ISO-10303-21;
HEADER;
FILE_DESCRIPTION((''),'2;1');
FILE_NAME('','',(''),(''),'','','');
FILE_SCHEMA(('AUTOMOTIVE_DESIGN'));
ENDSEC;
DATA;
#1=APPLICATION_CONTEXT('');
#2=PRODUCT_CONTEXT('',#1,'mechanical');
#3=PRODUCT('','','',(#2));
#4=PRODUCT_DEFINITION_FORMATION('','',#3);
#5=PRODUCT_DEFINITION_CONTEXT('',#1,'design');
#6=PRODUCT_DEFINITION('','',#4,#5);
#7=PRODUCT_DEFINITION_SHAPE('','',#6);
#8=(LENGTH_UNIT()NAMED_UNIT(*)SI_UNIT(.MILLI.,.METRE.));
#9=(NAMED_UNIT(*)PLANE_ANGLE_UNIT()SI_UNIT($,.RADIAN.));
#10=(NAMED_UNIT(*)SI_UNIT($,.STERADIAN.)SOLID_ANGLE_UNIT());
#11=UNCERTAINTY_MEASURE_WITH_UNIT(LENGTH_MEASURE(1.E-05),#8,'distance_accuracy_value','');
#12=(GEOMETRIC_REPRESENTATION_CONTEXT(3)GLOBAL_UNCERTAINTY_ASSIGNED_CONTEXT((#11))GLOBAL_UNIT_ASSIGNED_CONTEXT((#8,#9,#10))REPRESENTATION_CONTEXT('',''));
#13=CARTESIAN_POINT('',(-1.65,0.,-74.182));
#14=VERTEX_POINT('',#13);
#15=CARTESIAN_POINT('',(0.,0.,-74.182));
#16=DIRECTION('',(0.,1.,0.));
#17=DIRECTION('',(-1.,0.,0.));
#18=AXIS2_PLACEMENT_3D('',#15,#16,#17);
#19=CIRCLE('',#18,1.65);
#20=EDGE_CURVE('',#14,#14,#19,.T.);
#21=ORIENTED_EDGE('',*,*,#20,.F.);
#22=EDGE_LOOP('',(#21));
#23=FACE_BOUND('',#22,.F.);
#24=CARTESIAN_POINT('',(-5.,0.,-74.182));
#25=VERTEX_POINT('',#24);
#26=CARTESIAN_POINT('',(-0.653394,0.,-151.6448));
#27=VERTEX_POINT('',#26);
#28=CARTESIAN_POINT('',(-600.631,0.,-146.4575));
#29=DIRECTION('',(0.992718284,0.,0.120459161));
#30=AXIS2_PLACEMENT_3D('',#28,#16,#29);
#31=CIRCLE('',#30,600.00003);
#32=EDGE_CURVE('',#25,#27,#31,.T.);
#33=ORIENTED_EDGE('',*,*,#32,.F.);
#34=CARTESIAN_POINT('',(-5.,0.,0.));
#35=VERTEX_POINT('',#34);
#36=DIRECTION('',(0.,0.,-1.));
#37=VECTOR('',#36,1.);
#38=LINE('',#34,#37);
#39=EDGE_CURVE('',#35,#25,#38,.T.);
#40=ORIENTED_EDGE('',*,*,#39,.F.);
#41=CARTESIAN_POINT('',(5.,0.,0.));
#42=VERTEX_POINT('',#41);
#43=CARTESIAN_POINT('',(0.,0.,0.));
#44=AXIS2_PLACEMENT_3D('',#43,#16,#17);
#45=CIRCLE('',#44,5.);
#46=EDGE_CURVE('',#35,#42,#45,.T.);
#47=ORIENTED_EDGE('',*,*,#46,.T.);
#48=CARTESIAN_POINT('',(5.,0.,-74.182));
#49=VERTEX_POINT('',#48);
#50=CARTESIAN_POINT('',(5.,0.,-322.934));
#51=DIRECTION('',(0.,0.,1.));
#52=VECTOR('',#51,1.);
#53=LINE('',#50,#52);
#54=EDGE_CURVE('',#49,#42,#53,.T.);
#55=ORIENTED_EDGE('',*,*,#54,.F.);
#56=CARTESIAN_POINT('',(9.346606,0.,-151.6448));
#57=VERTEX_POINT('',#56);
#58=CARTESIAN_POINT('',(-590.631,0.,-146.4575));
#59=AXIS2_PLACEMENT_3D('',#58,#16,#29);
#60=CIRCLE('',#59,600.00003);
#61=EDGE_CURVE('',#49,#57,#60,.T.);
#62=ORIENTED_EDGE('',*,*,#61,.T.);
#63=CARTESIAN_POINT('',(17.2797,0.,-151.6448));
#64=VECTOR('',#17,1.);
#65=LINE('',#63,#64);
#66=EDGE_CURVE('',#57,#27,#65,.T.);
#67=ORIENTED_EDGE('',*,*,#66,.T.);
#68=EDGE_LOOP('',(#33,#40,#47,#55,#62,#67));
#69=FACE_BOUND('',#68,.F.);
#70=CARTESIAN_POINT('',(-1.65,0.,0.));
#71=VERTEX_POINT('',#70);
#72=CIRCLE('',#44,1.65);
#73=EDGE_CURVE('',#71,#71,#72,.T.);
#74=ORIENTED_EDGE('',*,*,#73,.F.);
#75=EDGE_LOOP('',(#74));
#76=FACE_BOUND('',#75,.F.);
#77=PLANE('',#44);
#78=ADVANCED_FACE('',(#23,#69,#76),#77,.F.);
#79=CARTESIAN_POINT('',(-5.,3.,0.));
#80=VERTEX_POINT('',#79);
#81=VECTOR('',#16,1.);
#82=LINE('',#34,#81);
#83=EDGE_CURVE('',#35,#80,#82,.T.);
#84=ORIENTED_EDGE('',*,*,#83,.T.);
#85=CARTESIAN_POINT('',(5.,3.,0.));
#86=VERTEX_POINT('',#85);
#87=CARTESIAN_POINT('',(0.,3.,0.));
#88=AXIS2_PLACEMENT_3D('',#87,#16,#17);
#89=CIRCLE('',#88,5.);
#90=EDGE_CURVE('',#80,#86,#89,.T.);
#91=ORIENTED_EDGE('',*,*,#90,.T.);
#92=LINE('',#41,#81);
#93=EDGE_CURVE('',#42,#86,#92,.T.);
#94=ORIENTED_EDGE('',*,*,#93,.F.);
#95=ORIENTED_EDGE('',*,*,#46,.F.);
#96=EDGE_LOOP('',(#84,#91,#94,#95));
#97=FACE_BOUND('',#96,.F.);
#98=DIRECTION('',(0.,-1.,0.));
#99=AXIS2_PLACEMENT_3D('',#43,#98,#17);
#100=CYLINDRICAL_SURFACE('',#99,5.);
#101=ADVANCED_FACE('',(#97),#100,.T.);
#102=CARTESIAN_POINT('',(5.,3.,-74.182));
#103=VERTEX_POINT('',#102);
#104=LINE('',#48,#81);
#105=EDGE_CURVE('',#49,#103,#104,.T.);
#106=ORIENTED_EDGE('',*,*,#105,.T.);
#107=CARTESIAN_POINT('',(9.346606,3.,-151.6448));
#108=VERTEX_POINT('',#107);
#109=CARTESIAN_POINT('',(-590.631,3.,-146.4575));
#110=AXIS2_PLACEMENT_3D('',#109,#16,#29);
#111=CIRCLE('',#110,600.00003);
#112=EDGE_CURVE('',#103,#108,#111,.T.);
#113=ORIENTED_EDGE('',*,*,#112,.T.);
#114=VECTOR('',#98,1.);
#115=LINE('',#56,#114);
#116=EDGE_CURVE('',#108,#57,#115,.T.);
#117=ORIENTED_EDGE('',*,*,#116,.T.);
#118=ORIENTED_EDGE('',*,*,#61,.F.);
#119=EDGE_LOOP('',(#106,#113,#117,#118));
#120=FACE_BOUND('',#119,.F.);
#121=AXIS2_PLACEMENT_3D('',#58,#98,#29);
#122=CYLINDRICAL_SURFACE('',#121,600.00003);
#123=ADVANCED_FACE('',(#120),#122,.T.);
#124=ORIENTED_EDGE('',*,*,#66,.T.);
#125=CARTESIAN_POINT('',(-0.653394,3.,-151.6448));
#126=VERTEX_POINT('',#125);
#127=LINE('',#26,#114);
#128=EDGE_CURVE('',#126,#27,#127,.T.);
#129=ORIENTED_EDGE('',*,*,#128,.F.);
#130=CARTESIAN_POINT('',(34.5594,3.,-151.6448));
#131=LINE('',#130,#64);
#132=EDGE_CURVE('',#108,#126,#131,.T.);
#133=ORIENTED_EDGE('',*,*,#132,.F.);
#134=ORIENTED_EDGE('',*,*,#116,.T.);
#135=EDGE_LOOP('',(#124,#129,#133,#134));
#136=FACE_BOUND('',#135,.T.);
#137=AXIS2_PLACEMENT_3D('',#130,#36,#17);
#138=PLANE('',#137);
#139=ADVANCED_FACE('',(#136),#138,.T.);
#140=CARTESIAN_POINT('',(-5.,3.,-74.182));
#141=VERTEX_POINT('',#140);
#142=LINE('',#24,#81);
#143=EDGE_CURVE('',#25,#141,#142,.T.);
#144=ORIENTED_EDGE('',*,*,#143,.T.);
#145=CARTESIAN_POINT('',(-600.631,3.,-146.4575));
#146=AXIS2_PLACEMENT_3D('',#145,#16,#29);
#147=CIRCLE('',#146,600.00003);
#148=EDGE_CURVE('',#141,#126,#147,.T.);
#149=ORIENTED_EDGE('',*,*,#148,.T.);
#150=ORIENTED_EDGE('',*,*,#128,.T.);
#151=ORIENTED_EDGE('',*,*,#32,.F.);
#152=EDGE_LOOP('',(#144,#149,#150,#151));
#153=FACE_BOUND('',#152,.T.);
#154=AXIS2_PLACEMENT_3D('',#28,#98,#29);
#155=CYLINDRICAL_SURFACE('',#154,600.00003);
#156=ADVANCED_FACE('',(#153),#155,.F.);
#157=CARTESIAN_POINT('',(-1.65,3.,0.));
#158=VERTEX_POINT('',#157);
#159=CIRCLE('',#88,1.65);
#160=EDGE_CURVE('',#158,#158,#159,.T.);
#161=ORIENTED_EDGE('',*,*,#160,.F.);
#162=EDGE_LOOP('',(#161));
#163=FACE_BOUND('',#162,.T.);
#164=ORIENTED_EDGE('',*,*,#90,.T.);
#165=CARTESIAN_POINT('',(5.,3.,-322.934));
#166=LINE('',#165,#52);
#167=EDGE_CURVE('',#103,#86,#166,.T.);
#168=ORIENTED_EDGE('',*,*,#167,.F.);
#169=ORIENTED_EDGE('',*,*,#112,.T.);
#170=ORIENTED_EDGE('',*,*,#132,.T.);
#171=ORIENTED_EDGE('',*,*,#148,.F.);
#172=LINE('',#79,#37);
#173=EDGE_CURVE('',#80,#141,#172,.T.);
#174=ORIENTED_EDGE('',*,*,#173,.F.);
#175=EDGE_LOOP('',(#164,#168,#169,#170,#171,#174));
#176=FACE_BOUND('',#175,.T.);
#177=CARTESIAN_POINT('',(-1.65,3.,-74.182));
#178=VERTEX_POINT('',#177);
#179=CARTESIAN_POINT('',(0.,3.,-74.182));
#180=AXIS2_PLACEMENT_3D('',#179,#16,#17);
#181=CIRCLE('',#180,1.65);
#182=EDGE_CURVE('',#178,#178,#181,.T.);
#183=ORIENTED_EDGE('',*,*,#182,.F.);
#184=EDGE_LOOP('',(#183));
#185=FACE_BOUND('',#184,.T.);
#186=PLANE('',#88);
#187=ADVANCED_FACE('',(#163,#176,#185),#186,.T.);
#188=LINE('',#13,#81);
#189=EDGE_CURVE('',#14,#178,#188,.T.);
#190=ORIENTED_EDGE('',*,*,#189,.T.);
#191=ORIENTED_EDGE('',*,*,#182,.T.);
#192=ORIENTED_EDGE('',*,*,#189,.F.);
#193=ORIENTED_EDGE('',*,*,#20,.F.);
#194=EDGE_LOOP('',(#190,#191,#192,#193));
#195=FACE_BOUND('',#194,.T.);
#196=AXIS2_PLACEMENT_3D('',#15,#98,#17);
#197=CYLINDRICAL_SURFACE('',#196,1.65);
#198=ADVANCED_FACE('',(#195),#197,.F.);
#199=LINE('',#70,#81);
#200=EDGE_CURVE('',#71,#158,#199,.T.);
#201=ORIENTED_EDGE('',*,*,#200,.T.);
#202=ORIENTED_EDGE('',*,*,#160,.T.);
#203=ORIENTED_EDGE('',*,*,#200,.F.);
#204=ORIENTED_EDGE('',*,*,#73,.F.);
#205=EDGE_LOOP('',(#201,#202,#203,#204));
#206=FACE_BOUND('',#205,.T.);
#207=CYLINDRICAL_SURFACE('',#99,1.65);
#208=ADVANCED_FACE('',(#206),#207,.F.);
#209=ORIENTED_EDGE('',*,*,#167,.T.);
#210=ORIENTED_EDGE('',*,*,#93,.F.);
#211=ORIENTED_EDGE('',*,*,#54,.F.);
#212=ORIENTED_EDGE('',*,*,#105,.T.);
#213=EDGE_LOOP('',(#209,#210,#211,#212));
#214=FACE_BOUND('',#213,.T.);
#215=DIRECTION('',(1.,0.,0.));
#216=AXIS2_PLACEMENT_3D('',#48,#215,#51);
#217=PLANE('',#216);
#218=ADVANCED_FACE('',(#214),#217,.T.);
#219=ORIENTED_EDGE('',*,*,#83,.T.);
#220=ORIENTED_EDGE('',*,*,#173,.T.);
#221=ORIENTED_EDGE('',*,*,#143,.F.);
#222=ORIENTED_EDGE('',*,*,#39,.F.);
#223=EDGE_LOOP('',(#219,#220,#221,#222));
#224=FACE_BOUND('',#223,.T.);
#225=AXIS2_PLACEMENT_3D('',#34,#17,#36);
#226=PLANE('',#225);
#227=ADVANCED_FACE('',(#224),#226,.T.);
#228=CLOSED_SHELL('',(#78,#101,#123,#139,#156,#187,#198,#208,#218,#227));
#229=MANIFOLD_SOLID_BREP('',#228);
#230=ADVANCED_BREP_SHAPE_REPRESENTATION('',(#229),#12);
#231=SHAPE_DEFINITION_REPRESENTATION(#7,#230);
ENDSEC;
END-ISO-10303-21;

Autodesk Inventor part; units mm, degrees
ref_plane "YZ Plane" through (0, 0, 0) normal (1, 0, 0) x (0, 1, 0)
ref_plane "XZ Plane" through (0, 0, 0) normal (0, 1, 0) x (-1, 0, 0)
ref_plane "XY Plane" through (0, 0, 0) normal (0, 0, 1) x (1, 0, 0)
sketch "Sketch1" plane through (0, 0, 0) normal (0, 1, 0) x (-1, 0, 0)
  line L0 (0, 0) -> (0, -322.934) construction
  line L1 (5, 0) -> (5, -322.934)
  line L2 (-5, -322.934) -> (-5, 0)
  arc A0 (5, 0) -> (-5, 0) centre (0, 0) ccw
  arc A1 (-5, -322.934) -> (5, -322.934) centre (0, -322.934) ccw
  circle A2 centre (0, 0) radius 1.65
  circle A3 centre (0, -322.934) radius 1.65
  circle A4 centre (0, -74.182) radius 1.65
  circle A5 centre (0, -218.733) radius 1.65
  arc A6 (5, -74.182) -> (5, -218.733) centre (600.631, -146.4575) ccw
  arc A7 (-5, -74.182) -> (-5, -218.733) centre (590.631, -146.4575) ccw
  point P0 (0, -161.467)
  dimension "d0" = 3.3
  dimension "d1" = 3.3
  dimension "d2" = 10
  dimension "d3" = 322.934
  dimension "d4" = 3.3
  dimension "d5" = 74.182
  dimension "d8" = 3.3
  dimension "d9" = 218.733
  dimension "d12" = 600
  dimension "d13" = 600
extrude "Extrusion1" add sketch "Sketch1" along normal blind 3 contours L1 A6 A1 L2 A0 | L2 A7
sketch "Sketch2" plane through (0, 3, 0) normal (0, 1, 0) x (1, 0, 0)
  line L0 (-80.742, 377.6004) -> (86.5972, 377.6004)
  line L1 (86.5972, 377.6004) -> (86.5972, -99.7148)
  line L2 (86.5972, -99.7148) -> (-80.742, -99.7148)
  line L3 (-80.742, -99.7148) -> (-80.742, 377.6004)
  line L4 (-25.6776, 342.7032) -> (34.5594, 342.7032)
  line L5 (34.5594, 342.7032) -> (34.5594, 151.6448)
  line L6 (34.5594, 151.6448) -> (-25.6776, 151.6448)
  line L7 (-25.6776, 151.6448) -> (-25.6776, 342.7032)
  point P0 (0, 0)
extrude "Extrusion2" cut sketch "Sketch2" against normal blind 100 contours L4 L5 L6 L7
properties part number "Part_3_p1"
